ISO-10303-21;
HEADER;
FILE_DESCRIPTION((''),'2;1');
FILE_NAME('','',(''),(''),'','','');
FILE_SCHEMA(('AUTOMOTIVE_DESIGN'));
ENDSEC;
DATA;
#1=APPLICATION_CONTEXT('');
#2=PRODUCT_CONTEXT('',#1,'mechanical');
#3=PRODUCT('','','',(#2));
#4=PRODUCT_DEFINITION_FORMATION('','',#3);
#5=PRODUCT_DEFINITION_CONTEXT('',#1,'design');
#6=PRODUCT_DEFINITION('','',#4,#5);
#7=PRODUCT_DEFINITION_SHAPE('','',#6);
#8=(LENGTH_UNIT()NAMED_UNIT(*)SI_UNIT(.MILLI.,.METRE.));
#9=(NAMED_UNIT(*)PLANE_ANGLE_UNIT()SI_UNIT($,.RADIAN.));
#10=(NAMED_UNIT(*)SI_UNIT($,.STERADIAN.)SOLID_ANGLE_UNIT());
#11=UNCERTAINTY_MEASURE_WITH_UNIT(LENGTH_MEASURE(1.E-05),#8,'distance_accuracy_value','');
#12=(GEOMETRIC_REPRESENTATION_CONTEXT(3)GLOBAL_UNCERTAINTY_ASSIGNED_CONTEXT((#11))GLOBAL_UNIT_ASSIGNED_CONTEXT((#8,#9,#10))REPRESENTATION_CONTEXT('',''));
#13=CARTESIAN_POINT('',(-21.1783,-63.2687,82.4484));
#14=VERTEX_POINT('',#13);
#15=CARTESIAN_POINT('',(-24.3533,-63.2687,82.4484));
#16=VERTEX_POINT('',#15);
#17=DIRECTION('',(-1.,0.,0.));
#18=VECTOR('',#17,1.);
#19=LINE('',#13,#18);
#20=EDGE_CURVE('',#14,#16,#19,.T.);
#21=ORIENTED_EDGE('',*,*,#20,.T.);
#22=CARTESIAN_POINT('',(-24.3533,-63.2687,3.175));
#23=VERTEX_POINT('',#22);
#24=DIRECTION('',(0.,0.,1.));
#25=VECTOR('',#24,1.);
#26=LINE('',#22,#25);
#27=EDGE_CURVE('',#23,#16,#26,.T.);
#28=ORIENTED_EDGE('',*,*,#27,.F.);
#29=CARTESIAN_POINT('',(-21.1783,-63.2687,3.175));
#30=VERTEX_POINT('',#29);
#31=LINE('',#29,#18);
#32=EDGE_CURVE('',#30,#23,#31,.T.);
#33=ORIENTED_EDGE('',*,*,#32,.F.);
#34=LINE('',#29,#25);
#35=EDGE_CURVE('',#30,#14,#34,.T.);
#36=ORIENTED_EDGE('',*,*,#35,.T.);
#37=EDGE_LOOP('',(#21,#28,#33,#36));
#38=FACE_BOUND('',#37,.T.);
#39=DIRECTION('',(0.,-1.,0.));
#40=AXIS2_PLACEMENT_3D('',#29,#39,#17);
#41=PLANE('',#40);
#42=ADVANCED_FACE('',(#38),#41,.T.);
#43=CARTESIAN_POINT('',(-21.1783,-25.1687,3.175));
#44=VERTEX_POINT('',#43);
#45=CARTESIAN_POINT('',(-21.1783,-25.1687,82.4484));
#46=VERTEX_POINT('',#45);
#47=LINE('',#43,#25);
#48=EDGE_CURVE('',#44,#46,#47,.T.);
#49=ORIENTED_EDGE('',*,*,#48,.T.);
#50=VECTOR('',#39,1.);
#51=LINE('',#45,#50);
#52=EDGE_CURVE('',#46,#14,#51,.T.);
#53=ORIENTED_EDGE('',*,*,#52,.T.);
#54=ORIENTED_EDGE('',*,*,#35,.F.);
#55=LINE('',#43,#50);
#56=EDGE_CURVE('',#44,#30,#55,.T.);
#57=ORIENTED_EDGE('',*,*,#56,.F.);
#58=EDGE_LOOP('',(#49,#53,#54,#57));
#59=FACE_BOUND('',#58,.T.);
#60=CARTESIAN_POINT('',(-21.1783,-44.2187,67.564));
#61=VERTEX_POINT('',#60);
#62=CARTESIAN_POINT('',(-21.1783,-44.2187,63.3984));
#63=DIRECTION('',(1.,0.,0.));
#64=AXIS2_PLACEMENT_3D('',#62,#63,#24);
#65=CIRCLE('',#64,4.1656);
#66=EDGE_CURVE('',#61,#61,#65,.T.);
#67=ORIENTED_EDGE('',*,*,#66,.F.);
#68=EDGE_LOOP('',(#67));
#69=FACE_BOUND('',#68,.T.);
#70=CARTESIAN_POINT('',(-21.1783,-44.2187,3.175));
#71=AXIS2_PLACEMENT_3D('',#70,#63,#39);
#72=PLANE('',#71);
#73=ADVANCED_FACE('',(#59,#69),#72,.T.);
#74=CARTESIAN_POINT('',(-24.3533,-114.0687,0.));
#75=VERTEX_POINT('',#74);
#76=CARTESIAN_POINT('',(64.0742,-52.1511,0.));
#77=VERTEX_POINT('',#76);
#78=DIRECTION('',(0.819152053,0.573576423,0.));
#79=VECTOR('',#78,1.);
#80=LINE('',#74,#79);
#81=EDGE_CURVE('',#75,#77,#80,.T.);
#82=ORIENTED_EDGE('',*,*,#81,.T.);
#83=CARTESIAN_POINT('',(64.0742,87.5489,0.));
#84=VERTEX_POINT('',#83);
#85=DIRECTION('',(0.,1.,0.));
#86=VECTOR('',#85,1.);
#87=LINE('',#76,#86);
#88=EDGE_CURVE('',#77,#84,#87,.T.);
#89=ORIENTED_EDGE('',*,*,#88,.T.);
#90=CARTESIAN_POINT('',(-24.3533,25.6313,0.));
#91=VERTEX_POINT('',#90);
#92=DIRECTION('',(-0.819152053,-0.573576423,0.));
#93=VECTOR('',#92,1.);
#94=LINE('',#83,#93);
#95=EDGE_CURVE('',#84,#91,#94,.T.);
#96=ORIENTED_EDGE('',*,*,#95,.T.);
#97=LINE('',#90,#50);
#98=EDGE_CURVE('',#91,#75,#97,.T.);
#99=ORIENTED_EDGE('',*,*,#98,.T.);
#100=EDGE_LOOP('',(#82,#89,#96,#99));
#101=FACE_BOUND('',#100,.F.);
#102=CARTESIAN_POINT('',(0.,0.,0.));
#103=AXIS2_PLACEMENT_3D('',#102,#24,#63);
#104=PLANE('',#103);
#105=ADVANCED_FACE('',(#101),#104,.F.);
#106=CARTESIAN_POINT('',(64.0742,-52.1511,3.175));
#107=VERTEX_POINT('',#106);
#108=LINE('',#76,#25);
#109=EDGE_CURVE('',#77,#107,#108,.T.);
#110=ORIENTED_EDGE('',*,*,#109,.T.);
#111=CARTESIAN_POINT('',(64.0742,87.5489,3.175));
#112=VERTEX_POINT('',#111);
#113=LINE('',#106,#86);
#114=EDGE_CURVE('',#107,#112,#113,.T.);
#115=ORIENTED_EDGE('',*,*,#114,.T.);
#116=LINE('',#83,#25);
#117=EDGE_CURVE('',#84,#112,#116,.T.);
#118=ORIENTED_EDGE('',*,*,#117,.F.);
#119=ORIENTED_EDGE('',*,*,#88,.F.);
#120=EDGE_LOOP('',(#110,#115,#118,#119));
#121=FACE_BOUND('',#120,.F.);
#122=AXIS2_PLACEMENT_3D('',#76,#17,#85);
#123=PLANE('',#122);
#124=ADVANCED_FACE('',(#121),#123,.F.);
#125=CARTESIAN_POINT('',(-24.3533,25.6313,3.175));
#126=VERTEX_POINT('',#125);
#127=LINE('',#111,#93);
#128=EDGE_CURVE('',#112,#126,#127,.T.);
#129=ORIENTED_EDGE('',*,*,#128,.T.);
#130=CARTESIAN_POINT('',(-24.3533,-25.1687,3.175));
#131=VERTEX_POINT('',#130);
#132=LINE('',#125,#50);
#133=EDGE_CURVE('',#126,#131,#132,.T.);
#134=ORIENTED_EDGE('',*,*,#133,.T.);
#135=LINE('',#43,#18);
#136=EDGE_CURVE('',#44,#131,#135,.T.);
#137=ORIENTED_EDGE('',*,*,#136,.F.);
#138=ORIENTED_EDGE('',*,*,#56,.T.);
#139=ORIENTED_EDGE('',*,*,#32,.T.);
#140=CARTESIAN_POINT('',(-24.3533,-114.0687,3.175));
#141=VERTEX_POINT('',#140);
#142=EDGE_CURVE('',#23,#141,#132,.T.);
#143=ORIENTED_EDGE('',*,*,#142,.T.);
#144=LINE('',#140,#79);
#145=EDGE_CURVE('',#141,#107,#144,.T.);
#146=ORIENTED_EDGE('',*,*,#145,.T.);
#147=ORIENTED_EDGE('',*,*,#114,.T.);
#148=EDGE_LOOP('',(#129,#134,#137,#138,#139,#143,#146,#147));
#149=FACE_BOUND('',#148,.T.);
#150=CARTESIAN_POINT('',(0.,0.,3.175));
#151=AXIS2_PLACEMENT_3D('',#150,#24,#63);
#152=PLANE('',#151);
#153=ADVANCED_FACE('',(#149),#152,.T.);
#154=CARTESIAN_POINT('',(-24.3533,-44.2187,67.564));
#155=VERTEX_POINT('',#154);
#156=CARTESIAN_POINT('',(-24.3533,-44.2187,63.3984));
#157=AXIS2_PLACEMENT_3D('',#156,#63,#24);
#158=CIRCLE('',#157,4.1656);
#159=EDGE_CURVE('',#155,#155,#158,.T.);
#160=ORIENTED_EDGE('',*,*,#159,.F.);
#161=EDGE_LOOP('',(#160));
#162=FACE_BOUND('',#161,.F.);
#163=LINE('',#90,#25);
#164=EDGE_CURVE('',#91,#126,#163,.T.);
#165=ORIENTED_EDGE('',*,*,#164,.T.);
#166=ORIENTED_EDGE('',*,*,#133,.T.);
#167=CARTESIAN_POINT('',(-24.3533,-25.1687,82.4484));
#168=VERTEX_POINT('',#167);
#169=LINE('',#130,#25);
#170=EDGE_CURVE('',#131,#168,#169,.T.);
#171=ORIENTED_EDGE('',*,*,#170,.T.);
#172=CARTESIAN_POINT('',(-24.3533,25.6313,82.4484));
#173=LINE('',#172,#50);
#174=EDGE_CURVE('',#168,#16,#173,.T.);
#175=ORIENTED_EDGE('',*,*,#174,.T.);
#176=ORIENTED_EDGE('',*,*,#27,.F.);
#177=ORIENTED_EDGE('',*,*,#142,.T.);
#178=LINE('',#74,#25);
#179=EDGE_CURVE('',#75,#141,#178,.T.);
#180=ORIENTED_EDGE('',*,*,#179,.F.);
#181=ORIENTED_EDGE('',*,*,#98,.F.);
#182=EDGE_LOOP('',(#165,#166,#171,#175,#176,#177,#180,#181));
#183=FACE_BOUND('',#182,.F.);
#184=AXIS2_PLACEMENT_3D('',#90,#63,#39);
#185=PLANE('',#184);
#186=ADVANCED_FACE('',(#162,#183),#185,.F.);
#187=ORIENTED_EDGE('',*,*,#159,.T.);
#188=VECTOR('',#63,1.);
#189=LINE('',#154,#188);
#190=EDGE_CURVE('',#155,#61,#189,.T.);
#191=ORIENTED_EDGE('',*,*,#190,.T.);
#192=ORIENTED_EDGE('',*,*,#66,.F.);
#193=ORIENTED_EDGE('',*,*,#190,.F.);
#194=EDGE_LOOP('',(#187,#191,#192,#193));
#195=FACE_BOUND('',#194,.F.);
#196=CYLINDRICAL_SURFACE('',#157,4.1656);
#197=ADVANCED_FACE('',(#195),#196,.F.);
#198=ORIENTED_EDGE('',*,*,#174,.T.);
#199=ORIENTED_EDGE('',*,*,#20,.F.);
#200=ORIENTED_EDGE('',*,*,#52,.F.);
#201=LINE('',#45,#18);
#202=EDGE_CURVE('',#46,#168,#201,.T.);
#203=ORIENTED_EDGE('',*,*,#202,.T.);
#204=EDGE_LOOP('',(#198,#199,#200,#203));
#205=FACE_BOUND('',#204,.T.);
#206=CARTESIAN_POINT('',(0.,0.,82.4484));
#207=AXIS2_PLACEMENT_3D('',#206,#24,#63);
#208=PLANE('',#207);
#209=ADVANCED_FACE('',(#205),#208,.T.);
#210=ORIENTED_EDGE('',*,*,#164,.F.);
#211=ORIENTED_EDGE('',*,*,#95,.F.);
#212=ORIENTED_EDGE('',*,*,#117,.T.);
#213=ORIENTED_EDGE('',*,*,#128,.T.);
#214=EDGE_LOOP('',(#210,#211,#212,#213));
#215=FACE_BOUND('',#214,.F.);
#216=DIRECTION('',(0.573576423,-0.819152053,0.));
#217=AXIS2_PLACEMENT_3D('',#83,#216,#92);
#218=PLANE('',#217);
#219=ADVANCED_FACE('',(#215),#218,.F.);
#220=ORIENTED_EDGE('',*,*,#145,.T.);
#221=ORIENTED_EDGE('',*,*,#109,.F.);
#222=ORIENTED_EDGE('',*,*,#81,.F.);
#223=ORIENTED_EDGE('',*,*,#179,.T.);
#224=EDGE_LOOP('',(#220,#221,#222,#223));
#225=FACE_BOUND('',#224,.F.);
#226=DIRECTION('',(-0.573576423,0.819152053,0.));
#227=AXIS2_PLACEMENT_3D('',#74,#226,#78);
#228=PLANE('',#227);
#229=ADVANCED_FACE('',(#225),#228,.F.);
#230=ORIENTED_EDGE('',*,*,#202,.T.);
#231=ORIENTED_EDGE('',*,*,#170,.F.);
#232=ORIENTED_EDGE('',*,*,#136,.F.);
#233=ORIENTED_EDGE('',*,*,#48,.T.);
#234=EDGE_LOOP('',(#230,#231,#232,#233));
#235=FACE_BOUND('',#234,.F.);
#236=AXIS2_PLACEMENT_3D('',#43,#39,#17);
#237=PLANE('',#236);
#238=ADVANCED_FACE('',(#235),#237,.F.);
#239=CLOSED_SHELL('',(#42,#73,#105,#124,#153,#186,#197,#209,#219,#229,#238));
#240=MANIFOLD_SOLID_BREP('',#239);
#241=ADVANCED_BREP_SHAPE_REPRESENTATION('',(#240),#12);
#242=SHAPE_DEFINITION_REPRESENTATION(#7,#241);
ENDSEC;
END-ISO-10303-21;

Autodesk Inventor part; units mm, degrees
ref_plane "YZ Plane" through (0, 0, 0) normal (1, 0, 0) x (0, 1, 0)
ref_plane "XZ Plane" through (0, 0, 0) normal (0, 1, 0) x (-1, 0, 0)
ref_plane "XY Plane" through (0, 0, 0) normal (0, 0, 1) x (1, 0, 0)
sketch "Sketch1" plane through (0, 0, 0) normal (0, 0, 1) x (1, 0, 0)
  line L0 (-24.3533, 25.6313) -> (-24.3533, -114.0687)
  line L1 (-24.3533, -114.0687) -> (64.0742, -52.1511)
  line L2 (-24.3533, -114.0687) -> (83.5967, -114.0687) construction
  line L3 (64.0742, -52.1511) -> (64.0742, 87.5489)
  line L4 (64.0742, 87.5489) -> (-24.3533, 25.6313)
  point P0 (0, 0)
  dimension "d0" = 139.7
  dimension "d1" = 107.95
  dimension "d2" = 35
  dimension "d3" = 139.7
extrude "Extrusion1" add sketch "Sketch1" along normal blind 3.175
sketch "Sketch2" plane through (0, 0, 3.175) normal (0, 0, 1) x (1, 0, 0)
  line L0 (-24.3533, 25.6313) -> (-24.3533, -114.0687) projected
  line L1 (-21.1783, -44.2187) -> (-21.1783, -25.1687)
  line L2 (-21.1783, -25.1687) -> (-24.3533, -25.1687)
  line L3 (-21.1783, -44.2187) -> (-21.1783, -63.2687)
  line L4 (-21.1783, -63.2687) -> (-24.3533, -63.2687)
  line L5 (-24.3533, -25.1687) -> (-24.3533, -63.2687)
  point P0 (0, 0)
  dimension "d7" = 19.05
  dimension "d8" = 19.05
extrude "Extrusion2" add sketch "Sketch2" along normal blind 79.2734
sketch "Sketch3" plane through (-24.3533, -114.0687, 0) normal (-1, 0, 0) x (0, 0, 1)
  line L0 (82.4484, 88.9) -> (63.3984, 88.9)
  line L1 (63.3984, 88.9) -> (63.3984, 69.85)
  line L2 (63.3984, 69.85) -> (82.4484, 69.85)
  line L3 (82.4484, 69.85) -> (82.4484, 88.9)
  point P0 (0, 114.0687)
  dimension "d11" = 19.05
  dimension "d12" = 19.05
hole "Hole1" at (-24.3533, -44.2187, 63.3984) direction (1, 0, 0) diameter 8.3312 end through all
properties part number "Right Abdomen"
